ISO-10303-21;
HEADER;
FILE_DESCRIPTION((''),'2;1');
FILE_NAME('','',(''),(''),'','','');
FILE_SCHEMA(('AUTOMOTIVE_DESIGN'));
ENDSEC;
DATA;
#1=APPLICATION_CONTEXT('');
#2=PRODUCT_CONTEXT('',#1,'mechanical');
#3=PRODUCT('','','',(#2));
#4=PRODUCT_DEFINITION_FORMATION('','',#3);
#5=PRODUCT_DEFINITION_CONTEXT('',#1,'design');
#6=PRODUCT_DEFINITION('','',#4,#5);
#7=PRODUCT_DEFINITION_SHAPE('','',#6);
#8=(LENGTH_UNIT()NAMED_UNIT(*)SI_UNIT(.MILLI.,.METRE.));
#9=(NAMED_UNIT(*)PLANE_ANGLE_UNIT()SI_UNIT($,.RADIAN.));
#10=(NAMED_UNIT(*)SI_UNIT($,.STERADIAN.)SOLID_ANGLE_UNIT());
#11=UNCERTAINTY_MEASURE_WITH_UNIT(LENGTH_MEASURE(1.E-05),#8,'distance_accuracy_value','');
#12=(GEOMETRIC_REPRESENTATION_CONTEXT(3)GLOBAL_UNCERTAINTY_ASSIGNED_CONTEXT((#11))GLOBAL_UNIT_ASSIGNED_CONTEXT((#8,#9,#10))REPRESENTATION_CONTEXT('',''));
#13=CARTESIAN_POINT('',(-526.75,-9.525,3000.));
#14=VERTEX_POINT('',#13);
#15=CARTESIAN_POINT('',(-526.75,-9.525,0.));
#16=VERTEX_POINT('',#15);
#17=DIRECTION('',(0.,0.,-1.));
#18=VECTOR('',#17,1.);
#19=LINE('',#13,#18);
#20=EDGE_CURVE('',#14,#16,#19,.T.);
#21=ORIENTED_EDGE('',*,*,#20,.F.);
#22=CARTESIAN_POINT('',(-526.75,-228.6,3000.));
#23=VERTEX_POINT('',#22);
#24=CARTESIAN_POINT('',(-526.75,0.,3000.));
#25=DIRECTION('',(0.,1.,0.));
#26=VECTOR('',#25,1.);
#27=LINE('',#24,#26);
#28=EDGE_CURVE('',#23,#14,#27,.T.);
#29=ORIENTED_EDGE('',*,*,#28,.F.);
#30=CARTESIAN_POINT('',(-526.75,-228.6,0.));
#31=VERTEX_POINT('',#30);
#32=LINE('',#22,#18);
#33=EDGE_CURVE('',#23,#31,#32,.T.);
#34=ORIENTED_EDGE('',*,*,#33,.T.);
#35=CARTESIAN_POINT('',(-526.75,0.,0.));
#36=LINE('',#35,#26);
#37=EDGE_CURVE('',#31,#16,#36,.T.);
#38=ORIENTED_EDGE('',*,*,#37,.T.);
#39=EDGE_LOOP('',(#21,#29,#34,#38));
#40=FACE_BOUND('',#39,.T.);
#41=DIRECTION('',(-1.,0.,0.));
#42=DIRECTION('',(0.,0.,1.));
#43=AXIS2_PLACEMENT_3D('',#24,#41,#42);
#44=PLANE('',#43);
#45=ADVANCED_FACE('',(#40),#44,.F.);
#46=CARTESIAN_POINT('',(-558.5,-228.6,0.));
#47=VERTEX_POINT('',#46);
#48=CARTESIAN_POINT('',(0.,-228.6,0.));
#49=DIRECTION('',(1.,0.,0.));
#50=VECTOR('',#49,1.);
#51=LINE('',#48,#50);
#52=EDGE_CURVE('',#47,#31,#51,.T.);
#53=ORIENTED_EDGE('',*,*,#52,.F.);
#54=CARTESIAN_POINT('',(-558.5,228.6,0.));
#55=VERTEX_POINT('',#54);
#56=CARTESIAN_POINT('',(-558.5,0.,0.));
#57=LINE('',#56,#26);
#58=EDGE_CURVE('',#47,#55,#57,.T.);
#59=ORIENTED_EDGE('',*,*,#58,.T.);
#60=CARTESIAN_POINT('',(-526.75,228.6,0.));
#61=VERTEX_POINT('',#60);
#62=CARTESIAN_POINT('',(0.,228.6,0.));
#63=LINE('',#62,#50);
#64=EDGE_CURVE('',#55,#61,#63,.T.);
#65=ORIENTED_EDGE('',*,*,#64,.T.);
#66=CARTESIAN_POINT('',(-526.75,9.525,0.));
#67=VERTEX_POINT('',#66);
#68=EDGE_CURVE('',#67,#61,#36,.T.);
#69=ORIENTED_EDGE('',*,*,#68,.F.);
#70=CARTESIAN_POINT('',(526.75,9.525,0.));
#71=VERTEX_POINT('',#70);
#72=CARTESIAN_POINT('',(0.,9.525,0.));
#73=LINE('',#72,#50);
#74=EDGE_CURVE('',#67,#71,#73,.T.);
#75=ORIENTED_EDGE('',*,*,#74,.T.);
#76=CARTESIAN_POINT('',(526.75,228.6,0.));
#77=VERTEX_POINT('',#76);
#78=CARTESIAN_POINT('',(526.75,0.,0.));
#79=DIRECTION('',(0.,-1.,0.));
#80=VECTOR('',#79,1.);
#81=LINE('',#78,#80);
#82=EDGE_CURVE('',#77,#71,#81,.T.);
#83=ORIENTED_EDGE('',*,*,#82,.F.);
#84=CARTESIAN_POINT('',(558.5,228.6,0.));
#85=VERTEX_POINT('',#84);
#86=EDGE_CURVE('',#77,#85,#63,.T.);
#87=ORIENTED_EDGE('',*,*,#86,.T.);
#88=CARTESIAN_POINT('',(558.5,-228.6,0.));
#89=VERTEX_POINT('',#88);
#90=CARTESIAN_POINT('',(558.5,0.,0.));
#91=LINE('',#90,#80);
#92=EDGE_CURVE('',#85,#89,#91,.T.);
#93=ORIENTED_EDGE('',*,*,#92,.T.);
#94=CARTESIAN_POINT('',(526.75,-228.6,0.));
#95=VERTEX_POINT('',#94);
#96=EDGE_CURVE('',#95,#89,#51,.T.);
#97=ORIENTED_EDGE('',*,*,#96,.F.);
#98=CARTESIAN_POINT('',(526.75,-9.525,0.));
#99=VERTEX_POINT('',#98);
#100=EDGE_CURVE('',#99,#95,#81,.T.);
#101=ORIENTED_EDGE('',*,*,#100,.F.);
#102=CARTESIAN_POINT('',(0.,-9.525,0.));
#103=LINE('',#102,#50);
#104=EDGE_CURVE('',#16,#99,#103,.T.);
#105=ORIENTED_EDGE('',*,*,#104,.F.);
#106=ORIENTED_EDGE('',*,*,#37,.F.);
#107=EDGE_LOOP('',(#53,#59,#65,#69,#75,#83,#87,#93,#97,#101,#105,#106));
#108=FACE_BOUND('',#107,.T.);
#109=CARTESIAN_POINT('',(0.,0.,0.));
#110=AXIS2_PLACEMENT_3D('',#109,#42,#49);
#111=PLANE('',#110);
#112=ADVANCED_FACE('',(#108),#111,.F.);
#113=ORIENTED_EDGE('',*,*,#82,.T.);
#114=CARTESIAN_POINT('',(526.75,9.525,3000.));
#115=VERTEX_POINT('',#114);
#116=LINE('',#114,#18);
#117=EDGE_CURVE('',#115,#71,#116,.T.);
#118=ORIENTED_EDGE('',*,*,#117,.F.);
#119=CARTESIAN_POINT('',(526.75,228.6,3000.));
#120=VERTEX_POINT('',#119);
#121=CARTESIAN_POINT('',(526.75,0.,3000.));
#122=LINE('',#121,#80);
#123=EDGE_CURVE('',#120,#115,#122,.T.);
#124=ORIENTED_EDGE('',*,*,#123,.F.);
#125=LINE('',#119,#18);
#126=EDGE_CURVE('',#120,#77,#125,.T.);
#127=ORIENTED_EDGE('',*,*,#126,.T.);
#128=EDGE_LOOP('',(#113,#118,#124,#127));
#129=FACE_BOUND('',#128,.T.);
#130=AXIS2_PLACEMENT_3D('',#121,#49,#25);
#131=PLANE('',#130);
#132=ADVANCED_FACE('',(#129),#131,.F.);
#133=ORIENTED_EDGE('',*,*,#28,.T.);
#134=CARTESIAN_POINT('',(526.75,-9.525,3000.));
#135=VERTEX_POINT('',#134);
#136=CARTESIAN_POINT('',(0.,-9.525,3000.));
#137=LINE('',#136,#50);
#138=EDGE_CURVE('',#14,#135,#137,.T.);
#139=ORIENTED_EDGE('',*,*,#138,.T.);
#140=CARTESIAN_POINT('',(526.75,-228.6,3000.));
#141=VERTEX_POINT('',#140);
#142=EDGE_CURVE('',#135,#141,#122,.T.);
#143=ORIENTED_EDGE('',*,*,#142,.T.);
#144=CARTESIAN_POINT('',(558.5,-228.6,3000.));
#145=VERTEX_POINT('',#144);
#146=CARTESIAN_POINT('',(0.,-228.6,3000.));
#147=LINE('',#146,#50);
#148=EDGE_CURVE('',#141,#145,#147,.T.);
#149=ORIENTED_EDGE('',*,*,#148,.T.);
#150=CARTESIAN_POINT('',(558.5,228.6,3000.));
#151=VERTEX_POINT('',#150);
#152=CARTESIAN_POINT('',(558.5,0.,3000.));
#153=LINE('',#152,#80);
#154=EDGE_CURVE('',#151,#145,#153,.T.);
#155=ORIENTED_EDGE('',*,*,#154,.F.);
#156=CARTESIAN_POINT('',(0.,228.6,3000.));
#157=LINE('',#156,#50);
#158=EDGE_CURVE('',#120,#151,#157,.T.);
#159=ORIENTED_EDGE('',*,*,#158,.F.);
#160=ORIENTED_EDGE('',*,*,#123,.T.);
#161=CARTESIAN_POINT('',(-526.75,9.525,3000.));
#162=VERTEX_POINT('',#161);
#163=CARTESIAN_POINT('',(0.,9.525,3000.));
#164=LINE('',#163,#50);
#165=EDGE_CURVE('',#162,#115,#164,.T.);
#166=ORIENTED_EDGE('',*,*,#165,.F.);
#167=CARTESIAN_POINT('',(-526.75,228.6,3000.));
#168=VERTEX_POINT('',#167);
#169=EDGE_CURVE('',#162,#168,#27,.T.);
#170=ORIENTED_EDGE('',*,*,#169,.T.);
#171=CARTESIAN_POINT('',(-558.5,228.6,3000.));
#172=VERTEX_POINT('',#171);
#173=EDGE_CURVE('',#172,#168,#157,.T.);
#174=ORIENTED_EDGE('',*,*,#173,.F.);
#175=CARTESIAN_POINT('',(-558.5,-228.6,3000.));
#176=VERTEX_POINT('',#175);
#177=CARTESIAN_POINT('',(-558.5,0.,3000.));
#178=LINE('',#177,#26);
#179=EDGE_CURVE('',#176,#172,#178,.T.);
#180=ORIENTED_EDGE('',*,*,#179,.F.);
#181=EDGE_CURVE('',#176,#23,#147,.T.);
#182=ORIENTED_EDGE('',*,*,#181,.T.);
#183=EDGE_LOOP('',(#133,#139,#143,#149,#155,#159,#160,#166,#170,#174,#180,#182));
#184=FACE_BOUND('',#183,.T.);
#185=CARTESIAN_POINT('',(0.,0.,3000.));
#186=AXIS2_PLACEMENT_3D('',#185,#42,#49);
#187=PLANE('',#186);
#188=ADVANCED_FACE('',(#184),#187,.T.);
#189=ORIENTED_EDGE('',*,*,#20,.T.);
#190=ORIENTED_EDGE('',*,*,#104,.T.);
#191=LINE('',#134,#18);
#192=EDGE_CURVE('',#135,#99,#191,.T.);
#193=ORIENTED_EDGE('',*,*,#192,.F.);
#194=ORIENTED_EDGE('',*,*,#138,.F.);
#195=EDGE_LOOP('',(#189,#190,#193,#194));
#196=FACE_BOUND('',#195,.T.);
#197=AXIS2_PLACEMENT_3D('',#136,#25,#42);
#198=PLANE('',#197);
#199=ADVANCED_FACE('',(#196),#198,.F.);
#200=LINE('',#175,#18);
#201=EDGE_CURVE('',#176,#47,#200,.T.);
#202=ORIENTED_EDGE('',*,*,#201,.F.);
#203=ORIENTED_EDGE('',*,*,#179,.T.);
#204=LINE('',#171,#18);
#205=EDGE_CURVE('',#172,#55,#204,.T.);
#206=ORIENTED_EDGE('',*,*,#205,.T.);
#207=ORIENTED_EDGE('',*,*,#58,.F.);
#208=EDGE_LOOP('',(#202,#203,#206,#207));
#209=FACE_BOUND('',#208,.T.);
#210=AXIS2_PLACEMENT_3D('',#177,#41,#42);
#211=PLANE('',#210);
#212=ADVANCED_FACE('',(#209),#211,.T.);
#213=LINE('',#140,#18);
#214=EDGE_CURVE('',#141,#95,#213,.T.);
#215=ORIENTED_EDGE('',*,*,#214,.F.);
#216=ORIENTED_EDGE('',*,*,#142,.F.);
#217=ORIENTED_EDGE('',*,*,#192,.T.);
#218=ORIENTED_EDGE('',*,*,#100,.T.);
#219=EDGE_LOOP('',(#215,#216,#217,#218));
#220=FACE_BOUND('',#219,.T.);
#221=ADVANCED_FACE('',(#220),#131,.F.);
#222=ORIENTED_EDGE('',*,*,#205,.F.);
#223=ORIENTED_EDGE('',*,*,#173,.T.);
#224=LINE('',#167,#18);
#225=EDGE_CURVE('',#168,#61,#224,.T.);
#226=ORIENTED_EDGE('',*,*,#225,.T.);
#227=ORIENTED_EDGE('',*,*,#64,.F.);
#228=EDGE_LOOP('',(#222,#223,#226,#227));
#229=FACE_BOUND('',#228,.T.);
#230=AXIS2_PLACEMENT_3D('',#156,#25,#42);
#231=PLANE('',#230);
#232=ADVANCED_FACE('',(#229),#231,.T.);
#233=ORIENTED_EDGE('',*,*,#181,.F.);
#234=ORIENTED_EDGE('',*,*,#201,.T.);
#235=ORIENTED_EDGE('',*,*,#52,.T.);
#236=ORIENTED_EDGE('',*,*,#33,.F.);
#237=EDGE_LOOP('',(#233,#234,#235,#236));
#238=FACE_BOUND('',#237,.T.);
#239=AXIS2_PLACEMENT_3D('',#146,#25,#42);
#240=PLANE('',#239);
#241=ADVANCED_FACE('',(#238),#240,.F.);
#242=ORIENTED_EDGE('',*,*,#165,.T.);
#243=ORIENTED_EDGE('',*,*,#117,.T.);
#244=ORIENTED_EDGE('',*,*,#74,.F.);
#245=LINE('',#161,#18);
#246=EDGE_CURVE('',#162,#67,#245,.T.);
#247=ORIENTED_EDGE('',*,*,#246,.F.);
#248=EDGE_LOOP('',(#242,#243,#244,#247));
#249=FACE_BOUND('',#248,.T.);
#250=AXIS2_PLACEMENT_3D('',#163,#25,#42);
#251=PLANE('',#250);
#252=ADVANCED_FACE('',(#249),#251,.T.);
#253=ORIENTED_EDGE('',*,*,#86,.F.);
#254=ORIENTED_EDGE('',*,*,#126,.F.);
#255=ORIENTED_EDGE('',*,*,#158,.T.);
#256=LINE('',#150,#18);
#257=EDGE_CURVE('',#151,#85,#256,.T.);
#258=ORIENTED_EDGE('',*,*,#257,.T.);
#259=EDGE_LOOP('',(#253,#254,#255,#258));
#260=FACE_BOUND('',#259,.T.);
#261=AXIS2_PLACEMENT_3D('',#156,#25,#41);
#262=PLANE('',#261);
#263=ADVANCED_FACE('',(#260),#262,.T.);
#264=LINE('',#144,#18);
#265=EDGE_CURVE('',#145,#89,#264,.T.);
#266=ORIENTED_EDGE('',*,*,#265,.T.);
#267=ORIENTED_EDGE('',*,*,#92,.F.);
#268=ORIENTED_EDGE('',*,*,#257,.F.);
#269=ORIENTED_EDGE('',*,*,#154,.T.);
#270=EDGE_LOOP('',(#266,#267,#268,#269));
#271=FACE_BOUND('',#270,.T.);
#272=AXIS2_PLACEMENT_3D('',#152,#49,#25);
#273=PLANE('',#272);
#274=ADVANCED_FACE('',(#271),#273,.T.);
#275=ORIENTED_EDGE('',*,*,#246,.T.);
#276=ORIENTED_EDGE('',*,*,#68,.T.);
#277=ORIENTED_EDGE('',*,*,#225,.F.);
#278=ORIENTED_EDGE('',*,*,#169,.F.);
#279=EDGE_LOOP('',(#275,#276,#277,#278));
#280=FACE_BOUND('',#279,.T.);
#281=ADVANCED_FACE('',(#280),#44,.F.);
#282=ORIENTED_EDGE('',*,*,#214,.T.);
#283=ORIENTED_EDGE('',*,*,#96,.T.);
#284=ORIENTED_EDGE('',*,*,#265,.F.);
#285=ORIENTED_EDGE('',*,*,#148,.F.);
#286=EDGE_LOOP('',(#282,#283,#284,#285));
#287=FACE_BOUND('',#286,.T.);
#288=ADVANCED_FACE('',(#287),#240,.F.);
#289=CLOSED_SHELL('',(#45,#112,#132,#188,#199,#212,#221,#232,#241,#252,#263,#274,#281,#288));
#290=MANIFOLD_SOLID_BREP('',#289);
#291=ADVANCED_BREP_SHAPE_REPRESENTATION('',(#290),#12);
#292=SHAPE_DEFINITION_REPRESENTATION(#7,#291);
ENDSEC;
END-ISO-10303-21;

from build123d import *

# Parameters (mm, degrees)
SKETCH1_W           = 1053.5
SKETCH1_H           = 19.05
BOSS_EXTRUDE1_DEPTH = 3000


with BuildPart() as part:
    # Sketch1 → Boss-Extrude1 (new body)
    with BuildSketch(Plane.XY):
        Polygon((-526.75, -228.6), (-526.75, -9.525), (-526.75, 9.525), (-526.75, 228.6), (-558.5, 228.6), (-558.5, -228.6), align=None)
        Rectangle(SKETCH1_W, SKETCH1_H)
        Polygon((526.75, 9.525), (526.75, -9.525), (526.75, -228.6), (558.5, -228.6), (558.5, 228.6), (526.75, 228.6), align=None)
    extrude(amount=BOSS_EXTRUDE1_DEPTH)


solid = part.part
